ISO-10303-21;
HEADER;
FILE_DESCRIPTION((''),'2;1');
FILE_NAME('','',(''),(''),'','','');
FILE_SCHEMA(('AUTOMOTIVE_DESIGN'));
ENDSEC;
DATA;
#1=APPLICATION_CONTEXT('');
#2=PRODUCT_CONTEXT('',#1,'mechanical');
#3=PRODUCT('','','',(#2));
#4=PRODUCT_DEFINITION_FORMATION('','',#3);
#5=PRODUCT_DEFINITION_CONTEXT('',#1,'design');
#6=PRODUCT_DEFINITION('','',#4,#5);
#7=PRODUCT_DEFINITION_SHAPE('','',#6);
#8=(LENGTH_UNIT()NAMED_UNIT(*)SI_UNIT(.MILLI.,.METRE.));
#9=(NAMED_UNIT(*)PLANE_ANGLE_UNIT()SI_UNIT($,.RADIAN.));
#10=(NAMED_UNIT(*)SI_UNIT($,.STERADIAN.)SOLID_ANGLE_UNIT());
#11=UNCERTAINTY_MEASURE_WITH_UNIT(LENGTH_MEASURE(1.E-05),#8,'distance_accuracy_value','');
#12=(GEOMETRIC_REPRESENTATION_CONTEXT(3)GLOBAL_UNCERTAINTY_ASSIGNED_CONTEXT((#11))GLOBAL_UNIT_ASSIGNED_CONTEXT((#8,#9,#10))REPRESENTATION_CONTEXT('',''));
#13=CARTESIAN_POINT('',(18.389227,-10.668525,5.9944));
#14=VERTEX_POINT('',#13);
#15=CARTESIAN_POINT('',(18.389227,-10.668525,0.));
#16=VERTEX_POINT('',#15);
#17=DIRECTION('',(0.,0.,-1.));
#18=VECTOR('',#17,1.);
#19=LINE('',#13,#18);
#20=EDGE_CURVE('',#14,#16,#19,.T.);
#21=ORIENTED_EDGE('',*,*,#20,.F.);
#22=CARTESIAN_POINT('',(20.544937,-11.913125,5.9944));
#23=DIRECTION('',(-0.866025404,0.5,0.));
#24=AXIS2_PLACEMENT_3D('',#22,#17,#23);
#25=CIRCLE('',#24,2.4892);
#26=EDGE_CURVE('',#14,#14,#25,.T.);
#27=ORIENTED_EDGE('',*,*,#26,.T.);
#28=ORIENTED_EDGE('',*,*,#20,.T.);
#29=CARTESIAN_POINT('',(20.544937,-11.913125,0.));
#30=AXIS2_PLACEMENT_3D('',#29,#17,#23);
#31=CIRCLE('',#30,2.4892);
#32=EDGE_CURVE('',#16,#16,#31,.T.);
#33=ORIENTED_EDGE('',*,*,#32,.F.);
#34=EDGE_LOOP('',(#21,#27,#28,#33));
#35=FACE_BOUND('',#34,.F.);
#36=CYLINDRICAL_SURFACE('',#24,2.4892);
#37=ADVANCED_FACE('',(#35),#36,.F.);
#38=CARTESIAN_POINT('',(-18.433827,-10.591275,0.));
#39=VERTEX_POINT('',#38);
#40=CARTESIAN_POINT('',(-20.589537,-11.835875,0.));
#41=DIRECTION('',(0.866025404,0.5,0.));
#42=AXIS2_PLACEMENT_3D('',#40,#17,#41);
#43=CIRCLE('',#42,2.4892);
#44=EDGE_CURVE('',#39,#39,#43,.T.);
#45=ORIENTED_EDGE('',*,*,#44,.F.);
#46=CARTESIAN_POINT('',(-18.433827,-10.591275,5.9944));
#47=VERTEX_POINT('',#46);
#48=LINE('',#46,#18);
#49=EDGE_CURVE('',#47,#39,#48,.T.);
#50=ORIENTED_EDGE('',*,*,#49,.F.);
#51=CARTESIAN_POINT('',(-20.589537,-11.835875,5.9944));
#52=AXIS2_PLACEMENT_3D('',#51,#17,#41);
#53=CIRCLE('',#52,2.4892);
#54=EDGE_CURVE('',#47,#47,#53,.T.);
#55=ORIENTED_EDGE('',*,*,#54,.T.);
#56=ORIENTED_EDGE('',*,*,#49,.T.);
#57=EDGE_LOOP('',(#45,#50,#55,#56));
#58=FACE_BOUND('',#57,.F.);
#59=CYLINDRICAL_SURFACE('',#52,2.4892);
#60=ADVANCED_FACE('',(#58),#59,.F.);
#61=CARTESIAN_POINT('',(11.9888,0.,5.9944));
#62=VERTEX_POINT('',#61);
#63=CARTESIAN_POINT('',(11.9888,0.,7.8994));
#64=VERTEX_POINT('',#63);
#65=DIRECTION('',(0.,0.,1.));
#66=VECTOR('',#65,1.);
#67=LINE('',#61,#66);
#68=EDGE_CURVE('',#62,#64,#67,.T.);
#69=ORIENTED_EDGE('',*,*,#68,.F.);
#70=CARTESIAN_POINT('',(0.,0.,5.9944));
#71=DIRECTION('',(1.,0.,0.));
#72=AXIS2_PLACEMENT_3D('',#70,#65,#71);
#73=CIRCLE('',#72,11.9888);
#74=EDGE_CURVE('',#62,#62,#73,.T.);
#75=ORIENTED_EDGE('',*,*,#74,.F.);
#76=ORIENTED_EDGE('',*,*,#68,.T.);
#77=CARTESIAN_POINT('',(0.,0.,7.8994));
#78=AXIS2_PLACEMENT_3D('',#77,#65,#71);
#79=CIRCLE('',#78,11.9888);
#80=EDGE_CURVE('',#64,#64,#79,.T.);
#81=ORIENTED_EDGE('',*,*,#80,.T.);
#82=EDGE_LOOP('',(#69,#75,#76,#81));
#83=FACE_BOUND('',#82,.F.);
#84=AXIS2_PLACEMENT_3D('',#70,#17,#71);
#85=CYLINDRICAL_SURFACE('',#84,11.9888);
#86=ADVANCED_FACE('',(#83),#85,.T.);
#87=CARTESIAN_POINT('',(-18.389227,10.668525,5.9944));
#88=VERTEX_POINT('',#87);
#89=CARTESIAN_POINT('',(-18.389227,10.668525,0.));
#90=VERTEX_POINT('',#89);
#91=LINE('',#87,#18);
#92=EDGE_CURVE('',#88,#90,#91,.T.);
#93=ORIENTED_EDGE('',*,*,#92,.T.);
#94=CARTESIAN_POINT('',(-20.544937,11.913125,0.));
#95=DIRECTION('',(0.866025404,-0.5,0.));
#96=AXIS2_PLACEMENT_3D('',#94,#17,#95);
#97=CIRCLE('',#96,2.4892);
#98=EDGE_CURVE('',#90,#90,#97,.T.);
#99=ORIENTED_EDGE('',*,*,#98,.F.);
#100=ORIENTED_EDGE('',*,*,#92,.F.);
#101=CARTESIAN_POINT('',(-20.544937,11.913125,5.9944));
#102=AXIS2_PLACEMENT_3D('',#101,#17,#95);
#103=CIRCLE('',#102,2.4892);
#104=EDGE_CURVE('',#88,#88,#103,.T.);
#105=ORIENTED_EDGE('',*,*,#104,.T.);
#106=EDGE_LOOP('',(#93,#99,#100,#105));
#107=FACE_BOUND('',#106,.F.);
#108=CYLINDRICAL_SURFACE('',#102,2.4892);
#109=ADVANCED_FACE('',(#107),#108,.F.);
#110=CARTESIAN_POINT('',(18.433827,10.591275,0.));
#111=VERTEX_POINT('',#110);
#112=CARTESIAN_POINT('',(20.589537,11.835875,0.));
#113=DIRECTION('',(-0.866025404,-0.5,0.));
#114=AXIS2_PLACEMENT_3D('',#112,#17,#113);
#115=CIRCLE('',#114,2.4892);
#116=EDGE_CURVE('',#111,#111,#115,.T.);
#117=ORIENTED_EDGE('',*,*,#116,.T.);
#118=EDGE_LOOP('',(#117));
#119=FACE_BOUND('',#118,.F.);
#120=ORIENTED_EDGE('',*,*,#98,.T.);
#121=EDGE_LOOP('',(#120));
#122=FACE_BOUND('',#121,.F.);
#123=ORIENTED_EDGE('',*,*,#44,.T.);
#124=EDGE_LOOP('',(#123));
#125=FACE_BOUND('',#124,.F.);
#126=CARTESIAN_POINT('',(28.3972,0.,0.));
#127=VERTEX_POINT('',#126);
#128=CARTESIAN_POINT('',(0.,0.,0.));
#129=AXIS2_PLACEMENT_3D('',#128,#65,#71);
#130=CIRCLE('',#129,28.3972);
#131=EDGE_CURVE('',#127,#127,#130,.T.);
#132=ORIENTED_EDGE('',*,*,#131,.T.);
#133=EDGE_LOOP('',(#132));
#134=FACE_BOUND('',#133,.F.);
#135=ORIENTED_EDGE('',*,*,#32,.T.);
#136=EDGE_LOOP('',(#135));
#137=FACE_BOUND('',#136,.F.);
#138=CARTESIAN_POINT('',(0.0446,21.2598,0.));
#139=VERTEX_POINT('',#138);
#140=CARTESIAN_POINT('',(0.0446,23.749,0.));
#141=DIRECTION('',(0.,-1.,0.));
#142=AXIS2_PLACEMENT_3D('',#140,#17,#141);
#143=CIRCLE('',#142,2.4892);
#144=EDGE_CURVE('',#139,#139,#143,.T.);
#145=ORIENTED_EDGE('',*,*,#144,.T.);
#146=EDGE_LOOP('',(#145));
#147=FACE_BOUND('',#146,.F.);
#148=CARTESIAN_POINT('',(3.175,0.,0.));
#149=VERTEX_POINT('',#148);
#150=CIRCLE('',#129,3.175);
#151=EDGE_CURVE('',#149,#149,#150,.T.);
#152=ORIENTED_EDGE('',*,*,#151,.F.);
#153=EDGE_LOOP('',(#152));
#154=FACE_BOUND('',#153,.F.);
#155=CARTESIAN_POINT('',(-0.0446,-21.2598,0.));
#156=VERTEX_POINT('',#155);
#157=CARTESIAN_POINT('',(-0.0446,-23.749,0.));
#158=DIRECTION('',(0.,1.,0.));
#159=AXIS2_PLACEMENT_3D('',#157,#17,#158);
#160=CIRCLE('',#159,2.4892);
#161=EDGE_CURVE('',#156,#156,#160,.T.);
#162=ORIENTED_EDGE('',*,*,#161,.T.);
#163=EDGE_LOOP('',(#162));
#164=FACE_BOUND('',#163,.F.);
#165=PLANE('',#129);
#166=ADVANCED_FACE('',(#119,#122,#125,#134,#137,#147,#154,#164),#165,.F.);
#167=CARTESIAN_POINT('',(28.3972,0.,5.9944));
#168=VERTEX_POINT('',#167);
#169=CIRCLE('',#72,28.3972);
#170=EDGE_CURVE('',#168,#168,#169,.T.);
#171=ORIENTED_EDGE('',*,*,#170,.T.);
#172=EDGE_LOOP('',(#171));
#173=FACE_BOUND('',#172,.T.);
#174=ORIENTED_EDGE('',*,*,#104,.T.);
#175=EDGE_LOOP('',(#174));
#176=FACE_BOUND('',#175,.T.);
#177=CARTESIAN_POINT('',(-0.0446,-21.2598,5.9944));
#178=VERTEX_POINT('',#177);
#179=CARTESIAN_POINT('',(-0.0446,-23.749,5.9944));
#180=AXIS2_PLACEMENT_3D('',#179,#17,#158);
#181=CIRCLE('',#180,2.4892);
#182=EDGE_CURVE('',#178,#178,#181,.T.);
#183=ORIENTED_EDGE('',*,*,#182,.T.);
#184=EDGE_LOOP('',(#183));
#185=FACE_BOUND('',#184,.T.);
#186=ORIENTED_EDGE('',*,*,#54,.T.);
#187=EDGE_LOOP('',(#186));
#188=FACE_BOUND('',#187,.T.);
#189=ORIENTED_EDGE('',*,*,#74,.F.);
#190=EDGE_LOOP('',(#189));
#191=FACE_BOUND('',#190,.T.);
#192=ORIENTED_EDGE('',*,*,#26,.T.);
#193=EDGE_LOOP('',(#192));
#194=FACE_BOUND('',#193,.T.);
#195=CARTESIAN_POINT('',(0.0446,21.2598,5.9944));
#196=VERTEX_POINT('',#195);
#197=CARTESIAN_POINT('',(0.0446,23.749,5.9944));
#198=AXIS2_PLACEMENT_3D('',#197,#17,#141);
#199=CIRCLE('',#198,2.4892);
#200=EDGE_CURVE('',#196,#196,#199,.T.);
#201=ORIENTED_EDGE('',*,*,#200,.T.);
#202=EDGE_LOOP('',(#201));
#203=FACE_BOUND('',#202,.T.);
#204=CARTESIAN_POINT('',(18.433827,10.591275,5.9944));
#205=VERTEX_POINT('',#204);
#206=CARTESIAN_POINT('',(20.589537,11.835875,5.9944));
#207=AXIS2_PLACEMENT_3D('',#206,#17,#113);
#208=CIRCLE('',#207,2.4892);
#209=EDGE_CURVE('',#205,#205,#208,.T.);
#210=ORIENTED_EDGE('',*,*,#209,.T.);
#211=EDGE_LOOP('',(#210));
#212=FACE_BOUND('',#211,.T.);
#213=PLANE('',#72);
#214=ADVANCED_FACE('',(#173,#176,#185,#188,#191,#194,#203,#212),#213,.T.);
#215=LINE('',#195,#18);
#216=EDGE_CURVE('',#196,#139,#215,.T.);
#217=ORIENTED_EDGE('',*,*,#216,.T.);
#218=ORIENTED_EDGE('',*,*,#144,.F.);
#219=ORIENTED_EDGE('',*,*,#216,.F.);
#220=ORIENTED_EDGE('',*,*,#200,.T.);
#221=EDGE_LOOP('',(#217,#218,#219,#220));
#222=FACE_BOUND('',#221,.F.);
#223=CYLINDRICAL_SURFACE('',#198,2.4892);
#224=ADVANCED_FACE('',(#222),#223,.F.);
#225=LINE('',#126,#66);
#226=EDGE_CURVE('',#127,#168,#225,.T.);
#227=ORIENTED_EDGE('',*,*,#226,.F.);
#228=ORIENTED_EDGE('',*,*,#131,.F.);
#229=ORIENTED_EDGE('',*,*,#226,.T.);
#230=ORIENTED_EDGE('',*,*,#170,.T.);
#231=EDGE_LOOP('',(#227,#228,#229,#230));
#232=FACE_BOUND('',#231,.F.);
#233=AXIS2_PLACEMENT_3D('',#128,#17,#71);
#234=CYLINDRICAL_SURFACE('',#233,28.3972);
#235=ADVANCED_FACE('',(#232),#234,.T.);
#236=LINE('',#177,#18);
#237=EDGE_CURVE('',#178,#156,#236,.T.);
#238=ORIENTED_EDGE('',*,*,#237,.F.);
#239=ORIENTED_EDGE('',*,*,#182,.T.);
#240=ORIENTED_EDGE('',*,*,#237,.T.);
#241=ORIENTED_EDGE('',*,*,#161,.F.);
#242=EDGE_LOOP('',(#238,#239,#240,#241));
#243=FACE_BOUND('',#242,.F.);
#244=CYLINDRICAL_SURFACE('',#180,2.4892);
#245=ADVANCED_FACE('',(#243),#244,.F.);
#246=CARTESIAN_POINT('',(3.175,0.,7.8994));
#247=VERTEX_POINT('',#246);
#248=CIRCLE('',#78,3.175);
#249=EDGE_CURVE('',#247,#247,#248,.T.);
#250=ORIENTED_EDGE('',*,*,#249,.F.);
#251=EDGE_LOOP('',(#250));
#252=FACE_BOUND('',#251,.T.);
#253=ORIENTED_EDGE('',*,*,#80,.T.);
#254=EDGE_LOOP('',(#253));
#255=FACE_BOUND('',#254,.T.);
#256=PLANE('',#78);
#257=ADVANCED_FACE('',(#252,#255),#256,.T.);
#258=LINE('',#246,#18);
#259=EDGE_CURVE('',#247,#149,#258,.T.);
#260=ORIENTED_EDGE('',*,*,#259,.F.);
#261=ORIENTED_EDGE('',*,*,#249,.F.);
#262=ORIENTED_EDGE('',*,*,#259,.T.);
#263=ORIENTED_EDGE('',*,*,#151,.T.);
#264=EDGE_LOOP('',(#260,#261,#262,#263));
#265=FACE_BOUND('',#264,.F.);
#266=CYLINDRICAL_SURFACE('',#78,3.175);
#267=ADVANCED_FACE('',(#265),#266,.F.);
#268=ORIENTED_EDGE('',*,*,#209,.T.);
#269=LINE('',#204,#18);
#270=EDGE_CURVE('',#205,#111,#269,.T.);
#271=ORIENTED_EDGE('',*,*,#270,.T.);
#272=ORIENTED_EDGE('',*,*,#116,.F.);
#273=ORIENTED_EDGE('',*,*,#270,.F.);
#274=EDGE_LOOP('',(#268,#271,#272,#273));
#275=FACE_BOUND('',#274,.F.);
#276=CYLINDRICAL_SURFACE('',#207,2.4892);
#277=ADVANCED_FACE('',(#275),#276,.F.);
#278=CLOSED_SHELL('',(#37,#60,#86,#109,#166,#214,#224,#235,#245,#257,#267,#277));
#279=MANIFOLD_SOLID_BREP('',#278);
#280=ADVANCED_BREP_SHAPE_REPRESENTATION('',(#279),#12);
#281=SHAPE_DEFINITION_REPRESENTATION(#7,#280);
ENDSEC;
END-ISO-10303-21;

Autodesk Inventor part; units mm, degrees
ref_plane "YZ Plane" through (0, 0, 0) normal (1, 0, 0) x (0, 1, 0)
ref_plane "XZ Plane" through (0, 0, 0) normal (0, 1, 0) x (-1, 0, 0)
ref_plane "XY Plane" through (0, 0, 0) normal (0, 0, 1) x (1, 0, 0)
sketch "Sketch1" plane through (0, 0, 0) normal (0, 0, 1) x (1, 0, 0)
  circle A0 centre (0, 0) radius 28.3972
  dimension "d0" = 56.7944
extrude "Extrusion1" add sketch "Sketch1" along normal blind 5.9944
sketch "Sketch2" plane through (0, 0, 5.9944) normal (0, 0, 1) x (1, 0, 0)
  circle A0 centre (0, 0) radius 11.9888
  dimension "d3" = 23.9776
extrude "Extrusion2" add sketch "Sketch2" along normal blind 1.905
sketch "Sketch3" plane through (0, 0, 7.8994) normal (0, 0, 1) x (1, 0, 0)
  circle A0 centre (0, 0) radius 3.175
  dimension "d6" = 6.35
extrude "Extrusion3" cut sketch "Sketch3" against normal blind 25.4
sketch "Sketch4" plane through (0, 0, 5.9944) normal (0, 0, 1) x (1, 0, 0)
  circle A0 centre (0, 0) radius 28.3972 projected
  circle A1 centre (0, 0) radius 11.9888 projected
  circle A2 centre (0, 0) radius 28.3972 projected
  circle A3 centre (0, 0) radius 28.3972 projected
  point P0 (0.0446, 23.749)
hole "Hole1" at (0.0446, 23.749, 5.9944) direction (0, 0, -1) diameter 4.9784 depth 19.05 tip angle 118 thread size "1/4-20 UNC" class "2B" standard "ANSI Unified Screw Threads"
pattern_circular "Circular Pattern1" count 6 over 360 about axis through (0, 0, 7.8994) along (0, 0, -1) of "Hole1"
properties part number "nexus adapter plate final"
